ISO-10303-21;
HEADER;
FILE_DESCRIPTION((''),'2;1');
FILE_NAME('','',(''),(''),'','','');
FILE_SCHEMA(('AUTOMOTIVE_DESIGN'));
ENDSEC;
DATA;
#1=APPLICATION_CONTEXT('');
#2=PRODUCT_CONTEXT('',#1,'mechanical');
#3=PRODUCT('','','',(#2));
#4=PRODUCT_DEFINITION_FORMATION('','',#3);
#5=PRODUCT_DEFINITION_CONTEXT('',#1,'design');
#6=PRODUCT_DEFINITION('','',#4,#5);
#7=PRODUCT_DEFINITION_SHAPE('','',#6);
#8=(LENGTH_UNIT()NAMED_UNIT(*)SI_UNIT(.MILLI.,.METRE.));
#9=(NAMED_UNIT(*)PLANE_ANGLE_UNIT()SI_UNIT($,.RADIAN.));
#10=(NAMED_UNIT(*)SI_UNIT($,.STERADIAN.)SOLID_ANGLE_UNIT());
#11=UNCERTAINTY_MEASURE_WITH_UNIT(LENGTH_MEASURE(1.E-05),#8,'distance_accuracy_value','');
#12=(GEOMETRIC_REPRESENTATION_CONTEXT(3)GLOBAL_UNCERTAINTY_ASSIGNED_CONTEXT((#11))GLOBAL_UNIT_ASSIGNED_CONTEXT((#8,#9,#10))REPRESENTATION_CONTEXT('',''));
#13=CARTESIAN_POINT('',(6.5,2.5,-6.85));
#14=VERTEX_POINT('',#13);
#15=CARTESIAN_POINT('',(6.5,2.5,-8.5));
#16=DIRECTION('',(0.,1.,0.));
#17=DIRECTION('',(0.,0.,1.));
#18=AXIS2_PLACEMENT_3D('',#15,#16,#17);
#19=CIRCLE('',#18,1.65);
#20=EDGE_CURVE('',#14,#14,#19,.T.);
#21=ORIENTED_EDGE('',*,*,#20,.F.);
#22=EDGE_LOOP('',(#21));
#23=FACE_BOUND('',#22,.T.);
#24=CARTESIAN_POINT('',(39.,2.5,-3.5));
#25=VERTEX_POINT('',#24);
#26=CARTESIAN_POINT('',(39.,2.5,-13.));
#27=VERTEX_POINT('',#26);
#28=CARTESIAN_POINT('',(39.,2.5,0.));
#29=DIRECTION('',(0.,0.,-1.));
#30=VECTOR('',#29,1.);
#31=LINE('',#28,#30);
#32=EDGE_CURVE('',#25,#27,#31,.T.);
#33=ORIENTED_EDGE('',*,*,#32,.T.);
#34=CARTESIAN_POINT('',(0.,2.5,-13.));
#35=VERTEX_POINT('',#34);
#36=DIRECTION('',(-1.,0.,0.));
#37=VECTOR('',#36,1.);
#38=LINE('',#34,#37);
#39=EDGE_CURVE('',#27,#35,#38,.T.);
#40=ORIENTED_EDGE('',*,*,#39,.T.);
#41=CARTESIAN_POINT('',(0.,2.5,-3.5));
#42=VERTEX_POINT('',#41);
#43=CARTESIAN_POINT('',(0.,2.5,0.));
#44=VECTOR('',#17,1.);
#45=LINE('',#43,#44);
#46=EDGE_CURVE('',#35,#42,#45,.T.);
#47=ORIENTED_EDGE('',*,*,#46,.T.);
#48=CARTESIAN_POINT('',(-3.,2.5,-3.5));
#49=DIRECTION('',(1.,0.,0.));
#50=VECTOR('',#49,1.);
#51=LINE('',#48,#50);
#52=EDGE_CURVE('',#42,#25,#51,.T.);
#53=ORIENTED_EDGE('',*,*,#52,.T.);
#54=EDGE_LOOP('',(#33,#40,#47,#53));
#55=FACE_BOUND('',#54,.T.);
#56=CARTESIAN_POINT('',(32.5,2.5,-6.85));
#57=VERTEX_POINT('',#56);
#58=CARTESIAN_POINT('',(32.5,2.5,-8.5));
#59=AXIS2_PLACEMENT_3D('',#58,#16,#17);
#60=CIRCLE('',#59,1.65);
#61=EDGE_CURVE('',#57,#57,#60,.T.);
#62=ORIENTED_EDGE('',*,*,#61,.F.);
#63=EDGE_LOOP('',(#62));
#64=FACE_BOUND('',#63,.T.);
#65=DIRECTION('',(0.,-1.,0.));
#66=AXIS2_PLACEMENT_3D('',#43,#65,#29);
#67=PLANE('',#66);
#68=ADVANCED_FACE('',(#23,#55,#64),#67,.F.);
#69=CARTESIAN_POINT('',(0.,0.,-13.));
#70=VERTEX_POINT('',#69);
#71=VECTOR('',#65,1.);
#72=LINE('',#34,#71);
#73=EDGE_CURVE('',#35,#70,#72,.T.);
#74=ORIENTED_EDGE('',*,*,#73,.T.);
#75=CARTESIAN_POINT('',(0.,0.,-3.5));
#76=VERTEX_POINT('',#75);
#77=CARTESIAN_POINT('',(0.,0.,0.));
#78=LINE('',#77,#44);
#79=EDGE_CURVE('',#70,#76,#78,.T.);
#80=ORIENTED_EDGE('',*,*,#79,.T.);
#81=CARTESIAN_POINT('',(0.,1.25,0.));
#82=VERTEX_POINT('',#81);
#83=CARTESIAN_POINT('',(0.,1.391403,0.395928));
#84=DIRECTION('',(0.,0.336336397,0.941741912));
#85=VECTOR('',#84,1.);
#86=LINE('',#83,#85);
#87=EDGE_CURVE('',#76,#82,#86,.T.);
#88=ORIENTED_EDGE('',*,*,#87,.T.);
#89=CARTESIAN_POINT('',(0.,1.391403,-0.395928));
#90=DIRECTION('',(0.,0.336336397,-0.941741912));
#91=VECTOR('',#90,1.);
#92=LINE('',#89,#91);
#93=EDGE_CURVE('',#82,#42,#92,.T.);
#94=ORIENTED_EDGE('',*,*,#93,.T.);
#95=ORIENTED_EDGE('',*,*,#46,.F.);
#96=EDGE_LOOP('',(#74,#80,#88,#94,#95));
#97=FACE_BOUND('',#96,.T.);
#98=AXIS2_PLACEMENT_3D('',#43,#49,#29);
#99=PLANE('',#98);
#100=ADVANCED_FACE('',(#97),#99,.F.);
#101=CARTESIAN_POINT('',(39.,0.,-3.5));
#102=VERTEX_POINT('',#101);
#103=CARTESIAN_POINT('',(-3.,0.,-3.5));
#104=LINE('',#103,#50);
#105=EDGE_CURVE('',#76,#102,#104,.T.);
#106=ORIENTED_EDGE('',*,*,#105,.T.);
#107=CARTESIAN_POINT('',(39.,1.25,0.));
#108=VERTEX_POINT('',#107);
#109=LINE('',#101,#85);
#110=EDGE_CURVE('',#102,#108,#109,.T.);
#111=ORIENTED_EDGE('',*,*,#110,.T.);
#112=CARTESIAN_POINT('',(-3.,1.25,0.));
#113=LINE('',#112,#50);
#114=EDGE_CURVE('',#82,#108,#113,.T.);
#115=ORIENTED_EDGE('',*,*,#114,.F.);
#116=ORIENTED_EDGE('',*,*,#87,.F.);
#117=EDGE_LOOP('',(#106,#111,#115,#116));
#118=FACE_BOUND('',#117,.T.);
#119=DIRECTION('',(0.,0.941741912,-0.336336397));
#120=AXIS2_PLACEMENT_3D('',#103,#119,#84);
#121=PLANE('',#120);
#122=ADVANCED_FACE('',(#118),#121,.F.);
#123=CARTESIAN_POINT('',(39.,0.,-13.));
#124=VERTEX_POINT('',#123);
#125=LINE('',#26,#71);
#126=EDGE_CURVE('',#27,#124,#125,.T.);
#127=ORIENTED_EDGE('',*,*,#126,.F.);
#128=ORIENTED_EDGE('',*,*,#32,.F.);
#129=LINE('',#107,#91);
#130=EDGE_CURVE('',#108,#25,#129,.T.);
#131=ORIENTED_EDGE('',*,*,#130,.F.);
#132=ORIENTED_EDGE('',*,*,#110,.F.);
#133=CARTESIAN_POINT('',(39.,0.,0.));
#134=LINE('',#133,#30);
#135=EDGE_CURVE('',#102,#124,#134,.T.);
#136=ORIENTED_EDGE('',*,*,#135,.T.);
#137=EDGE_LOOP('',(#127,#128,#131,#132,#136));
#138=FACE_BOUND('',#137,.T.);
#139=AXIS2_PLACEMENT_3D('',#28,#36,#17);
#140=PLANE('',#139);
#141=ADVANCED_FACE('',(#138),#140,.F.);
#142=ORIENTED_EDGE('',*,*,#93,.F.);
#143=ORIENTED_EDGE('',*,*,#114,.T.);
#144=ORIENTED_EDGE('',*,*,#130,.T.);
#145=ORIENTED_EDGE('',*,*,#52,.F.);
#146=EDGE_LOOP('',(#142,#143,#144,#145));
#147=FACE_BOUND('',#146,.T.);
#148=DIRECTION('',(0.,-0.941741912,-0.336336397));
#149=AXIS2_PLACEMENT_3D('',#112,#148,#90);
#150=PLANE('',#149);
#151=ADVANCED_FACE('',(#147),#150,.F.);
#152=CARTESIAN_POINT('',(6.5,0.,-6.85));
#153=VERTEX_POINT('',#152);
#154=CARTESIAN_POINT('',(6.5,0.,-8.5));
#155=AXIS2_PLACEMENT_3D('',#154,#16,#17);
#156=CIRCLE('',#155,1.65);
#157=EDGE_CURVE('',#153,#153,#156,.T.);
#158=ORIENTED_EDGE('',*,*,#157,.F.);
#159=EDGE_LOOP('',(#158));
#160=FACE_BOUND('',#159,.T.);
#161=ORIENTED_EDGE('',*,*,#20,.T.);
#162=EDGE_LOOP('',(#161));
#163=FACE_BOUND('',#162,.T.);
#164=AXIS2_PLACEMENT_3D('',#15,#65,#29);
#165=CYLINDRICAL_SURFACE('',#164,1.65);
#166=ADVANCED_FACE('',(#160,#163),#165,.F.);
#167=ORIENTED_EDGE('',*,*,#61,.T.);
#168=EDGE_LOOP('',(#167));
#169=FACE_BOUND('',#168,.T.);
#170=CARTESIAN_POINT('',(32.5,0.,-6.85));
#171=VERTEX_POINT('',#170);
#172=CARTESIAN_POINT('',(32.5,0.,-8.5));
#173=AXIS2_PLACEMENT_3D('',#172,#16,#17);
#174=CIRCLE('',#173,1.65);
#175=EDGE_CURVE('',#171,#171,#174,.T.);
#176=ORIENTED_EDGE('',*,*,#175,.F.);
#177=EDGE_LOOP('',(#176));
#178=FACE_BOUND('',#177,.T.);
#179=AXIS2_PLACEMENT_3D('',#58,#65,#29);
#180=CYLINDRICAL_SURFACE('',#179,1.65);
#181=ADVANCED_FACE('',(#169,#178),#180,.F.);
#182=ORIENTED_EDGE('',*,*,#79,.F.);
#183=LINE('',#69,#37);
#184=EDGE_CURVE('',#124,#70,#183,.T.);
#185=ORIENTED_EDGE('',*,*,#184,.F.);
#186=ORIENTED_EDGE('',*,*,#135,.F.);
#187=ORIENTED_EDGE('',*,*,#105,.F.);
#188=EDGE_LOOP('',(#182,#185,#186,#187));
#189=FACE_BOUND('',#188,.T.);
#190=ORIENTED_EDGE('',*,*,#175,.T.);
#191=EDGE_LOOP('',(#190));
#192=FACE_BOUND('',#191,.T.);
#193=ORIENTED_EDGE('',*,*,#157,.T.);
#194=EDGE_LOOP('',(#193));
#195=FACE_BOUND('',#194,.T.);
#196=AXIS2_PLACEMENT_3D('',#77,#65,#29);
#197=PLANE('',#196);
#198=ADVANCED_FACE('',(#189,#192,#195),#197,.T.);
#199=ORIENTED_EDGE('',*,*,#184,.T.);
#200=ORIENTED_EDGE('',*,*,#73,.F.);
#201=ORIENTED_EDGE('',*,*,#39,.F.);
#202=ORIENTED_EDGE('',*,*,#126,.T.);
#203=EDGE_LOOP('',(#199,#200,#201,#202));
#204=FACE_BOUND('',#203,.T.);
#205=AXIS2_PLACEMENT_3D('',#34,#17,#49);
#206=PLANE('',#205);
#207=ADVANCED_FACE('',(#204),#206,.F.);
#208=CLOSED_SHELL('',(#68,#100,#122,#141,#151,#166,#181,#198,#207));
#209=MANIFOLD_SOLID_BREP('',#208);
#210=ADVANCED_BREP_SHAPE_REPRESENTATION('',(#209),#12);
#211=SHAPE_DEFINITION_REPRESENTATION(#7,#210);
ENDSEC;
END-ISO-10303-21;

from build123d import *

# Parameters (mm, degrees)
SKETCH_1_W          = 39
SKETCH_1_H          = 13
SKETCH_1_R          = 1.65
EXTRUDE_1_DEPTH     = 2.5
CUT_EXTRUDE_1_DEPTH = 42
CUT_EXTRUDE_2_DEPTH = 42


with BuildPart() as part:
    # 草图1 → 凸台-拉伸1 (new body)
    with BuildSketch(Plane(origin=(0, 0, 0), x_dir=(1, 0, 0), z_dir=(0, 1, 0))):
        with Locations((19.5, 6.5)):
            Rectangle(SKETCH_1_W, SKETCH_1_H)
        with Locations(Location((6.5, 8.5, 0), (0, 0, 270))):
            Circle(SKETCH_1_R, mode=Mode.SUBTRACT)
        with Locations(Location((32.5, 8.5, 0), (0, 0, 270))):
            Circle(SKETCH_1_R, mode=Mode.SUBTRACT)
    extrude(amount=EXTRUDE_1_DEPTH)

    # 草图2 → 切除-拉伸1 (cut)
    with BuildSketch(Plane(origin=(39, 0, 0), x_dir=(0, 0, -1), z_dir=(1, 0, 0))):
        Polygon((3.5, 2.5), (0, 2.5), (0, 1.25), align=None)
    extrude(amount=-CUT_EXTRUDE_1_DEPTH, mode=Mode.SUBTRACT)

    # 草图3 → 切除-拉伸2 (cut)
    with BuildSketch(Plane(origin=(39, 0, 0), x_dir=(0, 0, -1), z_dir=(1, 0, 0))):
        Polygon((0, 1.25), (0, 0), (3.5, 0), align=None)
    extrude(amount=-CUT_EXTRUDE_2_DEPTH, mode=Mode.SUBTRACT)


solid = part.part
